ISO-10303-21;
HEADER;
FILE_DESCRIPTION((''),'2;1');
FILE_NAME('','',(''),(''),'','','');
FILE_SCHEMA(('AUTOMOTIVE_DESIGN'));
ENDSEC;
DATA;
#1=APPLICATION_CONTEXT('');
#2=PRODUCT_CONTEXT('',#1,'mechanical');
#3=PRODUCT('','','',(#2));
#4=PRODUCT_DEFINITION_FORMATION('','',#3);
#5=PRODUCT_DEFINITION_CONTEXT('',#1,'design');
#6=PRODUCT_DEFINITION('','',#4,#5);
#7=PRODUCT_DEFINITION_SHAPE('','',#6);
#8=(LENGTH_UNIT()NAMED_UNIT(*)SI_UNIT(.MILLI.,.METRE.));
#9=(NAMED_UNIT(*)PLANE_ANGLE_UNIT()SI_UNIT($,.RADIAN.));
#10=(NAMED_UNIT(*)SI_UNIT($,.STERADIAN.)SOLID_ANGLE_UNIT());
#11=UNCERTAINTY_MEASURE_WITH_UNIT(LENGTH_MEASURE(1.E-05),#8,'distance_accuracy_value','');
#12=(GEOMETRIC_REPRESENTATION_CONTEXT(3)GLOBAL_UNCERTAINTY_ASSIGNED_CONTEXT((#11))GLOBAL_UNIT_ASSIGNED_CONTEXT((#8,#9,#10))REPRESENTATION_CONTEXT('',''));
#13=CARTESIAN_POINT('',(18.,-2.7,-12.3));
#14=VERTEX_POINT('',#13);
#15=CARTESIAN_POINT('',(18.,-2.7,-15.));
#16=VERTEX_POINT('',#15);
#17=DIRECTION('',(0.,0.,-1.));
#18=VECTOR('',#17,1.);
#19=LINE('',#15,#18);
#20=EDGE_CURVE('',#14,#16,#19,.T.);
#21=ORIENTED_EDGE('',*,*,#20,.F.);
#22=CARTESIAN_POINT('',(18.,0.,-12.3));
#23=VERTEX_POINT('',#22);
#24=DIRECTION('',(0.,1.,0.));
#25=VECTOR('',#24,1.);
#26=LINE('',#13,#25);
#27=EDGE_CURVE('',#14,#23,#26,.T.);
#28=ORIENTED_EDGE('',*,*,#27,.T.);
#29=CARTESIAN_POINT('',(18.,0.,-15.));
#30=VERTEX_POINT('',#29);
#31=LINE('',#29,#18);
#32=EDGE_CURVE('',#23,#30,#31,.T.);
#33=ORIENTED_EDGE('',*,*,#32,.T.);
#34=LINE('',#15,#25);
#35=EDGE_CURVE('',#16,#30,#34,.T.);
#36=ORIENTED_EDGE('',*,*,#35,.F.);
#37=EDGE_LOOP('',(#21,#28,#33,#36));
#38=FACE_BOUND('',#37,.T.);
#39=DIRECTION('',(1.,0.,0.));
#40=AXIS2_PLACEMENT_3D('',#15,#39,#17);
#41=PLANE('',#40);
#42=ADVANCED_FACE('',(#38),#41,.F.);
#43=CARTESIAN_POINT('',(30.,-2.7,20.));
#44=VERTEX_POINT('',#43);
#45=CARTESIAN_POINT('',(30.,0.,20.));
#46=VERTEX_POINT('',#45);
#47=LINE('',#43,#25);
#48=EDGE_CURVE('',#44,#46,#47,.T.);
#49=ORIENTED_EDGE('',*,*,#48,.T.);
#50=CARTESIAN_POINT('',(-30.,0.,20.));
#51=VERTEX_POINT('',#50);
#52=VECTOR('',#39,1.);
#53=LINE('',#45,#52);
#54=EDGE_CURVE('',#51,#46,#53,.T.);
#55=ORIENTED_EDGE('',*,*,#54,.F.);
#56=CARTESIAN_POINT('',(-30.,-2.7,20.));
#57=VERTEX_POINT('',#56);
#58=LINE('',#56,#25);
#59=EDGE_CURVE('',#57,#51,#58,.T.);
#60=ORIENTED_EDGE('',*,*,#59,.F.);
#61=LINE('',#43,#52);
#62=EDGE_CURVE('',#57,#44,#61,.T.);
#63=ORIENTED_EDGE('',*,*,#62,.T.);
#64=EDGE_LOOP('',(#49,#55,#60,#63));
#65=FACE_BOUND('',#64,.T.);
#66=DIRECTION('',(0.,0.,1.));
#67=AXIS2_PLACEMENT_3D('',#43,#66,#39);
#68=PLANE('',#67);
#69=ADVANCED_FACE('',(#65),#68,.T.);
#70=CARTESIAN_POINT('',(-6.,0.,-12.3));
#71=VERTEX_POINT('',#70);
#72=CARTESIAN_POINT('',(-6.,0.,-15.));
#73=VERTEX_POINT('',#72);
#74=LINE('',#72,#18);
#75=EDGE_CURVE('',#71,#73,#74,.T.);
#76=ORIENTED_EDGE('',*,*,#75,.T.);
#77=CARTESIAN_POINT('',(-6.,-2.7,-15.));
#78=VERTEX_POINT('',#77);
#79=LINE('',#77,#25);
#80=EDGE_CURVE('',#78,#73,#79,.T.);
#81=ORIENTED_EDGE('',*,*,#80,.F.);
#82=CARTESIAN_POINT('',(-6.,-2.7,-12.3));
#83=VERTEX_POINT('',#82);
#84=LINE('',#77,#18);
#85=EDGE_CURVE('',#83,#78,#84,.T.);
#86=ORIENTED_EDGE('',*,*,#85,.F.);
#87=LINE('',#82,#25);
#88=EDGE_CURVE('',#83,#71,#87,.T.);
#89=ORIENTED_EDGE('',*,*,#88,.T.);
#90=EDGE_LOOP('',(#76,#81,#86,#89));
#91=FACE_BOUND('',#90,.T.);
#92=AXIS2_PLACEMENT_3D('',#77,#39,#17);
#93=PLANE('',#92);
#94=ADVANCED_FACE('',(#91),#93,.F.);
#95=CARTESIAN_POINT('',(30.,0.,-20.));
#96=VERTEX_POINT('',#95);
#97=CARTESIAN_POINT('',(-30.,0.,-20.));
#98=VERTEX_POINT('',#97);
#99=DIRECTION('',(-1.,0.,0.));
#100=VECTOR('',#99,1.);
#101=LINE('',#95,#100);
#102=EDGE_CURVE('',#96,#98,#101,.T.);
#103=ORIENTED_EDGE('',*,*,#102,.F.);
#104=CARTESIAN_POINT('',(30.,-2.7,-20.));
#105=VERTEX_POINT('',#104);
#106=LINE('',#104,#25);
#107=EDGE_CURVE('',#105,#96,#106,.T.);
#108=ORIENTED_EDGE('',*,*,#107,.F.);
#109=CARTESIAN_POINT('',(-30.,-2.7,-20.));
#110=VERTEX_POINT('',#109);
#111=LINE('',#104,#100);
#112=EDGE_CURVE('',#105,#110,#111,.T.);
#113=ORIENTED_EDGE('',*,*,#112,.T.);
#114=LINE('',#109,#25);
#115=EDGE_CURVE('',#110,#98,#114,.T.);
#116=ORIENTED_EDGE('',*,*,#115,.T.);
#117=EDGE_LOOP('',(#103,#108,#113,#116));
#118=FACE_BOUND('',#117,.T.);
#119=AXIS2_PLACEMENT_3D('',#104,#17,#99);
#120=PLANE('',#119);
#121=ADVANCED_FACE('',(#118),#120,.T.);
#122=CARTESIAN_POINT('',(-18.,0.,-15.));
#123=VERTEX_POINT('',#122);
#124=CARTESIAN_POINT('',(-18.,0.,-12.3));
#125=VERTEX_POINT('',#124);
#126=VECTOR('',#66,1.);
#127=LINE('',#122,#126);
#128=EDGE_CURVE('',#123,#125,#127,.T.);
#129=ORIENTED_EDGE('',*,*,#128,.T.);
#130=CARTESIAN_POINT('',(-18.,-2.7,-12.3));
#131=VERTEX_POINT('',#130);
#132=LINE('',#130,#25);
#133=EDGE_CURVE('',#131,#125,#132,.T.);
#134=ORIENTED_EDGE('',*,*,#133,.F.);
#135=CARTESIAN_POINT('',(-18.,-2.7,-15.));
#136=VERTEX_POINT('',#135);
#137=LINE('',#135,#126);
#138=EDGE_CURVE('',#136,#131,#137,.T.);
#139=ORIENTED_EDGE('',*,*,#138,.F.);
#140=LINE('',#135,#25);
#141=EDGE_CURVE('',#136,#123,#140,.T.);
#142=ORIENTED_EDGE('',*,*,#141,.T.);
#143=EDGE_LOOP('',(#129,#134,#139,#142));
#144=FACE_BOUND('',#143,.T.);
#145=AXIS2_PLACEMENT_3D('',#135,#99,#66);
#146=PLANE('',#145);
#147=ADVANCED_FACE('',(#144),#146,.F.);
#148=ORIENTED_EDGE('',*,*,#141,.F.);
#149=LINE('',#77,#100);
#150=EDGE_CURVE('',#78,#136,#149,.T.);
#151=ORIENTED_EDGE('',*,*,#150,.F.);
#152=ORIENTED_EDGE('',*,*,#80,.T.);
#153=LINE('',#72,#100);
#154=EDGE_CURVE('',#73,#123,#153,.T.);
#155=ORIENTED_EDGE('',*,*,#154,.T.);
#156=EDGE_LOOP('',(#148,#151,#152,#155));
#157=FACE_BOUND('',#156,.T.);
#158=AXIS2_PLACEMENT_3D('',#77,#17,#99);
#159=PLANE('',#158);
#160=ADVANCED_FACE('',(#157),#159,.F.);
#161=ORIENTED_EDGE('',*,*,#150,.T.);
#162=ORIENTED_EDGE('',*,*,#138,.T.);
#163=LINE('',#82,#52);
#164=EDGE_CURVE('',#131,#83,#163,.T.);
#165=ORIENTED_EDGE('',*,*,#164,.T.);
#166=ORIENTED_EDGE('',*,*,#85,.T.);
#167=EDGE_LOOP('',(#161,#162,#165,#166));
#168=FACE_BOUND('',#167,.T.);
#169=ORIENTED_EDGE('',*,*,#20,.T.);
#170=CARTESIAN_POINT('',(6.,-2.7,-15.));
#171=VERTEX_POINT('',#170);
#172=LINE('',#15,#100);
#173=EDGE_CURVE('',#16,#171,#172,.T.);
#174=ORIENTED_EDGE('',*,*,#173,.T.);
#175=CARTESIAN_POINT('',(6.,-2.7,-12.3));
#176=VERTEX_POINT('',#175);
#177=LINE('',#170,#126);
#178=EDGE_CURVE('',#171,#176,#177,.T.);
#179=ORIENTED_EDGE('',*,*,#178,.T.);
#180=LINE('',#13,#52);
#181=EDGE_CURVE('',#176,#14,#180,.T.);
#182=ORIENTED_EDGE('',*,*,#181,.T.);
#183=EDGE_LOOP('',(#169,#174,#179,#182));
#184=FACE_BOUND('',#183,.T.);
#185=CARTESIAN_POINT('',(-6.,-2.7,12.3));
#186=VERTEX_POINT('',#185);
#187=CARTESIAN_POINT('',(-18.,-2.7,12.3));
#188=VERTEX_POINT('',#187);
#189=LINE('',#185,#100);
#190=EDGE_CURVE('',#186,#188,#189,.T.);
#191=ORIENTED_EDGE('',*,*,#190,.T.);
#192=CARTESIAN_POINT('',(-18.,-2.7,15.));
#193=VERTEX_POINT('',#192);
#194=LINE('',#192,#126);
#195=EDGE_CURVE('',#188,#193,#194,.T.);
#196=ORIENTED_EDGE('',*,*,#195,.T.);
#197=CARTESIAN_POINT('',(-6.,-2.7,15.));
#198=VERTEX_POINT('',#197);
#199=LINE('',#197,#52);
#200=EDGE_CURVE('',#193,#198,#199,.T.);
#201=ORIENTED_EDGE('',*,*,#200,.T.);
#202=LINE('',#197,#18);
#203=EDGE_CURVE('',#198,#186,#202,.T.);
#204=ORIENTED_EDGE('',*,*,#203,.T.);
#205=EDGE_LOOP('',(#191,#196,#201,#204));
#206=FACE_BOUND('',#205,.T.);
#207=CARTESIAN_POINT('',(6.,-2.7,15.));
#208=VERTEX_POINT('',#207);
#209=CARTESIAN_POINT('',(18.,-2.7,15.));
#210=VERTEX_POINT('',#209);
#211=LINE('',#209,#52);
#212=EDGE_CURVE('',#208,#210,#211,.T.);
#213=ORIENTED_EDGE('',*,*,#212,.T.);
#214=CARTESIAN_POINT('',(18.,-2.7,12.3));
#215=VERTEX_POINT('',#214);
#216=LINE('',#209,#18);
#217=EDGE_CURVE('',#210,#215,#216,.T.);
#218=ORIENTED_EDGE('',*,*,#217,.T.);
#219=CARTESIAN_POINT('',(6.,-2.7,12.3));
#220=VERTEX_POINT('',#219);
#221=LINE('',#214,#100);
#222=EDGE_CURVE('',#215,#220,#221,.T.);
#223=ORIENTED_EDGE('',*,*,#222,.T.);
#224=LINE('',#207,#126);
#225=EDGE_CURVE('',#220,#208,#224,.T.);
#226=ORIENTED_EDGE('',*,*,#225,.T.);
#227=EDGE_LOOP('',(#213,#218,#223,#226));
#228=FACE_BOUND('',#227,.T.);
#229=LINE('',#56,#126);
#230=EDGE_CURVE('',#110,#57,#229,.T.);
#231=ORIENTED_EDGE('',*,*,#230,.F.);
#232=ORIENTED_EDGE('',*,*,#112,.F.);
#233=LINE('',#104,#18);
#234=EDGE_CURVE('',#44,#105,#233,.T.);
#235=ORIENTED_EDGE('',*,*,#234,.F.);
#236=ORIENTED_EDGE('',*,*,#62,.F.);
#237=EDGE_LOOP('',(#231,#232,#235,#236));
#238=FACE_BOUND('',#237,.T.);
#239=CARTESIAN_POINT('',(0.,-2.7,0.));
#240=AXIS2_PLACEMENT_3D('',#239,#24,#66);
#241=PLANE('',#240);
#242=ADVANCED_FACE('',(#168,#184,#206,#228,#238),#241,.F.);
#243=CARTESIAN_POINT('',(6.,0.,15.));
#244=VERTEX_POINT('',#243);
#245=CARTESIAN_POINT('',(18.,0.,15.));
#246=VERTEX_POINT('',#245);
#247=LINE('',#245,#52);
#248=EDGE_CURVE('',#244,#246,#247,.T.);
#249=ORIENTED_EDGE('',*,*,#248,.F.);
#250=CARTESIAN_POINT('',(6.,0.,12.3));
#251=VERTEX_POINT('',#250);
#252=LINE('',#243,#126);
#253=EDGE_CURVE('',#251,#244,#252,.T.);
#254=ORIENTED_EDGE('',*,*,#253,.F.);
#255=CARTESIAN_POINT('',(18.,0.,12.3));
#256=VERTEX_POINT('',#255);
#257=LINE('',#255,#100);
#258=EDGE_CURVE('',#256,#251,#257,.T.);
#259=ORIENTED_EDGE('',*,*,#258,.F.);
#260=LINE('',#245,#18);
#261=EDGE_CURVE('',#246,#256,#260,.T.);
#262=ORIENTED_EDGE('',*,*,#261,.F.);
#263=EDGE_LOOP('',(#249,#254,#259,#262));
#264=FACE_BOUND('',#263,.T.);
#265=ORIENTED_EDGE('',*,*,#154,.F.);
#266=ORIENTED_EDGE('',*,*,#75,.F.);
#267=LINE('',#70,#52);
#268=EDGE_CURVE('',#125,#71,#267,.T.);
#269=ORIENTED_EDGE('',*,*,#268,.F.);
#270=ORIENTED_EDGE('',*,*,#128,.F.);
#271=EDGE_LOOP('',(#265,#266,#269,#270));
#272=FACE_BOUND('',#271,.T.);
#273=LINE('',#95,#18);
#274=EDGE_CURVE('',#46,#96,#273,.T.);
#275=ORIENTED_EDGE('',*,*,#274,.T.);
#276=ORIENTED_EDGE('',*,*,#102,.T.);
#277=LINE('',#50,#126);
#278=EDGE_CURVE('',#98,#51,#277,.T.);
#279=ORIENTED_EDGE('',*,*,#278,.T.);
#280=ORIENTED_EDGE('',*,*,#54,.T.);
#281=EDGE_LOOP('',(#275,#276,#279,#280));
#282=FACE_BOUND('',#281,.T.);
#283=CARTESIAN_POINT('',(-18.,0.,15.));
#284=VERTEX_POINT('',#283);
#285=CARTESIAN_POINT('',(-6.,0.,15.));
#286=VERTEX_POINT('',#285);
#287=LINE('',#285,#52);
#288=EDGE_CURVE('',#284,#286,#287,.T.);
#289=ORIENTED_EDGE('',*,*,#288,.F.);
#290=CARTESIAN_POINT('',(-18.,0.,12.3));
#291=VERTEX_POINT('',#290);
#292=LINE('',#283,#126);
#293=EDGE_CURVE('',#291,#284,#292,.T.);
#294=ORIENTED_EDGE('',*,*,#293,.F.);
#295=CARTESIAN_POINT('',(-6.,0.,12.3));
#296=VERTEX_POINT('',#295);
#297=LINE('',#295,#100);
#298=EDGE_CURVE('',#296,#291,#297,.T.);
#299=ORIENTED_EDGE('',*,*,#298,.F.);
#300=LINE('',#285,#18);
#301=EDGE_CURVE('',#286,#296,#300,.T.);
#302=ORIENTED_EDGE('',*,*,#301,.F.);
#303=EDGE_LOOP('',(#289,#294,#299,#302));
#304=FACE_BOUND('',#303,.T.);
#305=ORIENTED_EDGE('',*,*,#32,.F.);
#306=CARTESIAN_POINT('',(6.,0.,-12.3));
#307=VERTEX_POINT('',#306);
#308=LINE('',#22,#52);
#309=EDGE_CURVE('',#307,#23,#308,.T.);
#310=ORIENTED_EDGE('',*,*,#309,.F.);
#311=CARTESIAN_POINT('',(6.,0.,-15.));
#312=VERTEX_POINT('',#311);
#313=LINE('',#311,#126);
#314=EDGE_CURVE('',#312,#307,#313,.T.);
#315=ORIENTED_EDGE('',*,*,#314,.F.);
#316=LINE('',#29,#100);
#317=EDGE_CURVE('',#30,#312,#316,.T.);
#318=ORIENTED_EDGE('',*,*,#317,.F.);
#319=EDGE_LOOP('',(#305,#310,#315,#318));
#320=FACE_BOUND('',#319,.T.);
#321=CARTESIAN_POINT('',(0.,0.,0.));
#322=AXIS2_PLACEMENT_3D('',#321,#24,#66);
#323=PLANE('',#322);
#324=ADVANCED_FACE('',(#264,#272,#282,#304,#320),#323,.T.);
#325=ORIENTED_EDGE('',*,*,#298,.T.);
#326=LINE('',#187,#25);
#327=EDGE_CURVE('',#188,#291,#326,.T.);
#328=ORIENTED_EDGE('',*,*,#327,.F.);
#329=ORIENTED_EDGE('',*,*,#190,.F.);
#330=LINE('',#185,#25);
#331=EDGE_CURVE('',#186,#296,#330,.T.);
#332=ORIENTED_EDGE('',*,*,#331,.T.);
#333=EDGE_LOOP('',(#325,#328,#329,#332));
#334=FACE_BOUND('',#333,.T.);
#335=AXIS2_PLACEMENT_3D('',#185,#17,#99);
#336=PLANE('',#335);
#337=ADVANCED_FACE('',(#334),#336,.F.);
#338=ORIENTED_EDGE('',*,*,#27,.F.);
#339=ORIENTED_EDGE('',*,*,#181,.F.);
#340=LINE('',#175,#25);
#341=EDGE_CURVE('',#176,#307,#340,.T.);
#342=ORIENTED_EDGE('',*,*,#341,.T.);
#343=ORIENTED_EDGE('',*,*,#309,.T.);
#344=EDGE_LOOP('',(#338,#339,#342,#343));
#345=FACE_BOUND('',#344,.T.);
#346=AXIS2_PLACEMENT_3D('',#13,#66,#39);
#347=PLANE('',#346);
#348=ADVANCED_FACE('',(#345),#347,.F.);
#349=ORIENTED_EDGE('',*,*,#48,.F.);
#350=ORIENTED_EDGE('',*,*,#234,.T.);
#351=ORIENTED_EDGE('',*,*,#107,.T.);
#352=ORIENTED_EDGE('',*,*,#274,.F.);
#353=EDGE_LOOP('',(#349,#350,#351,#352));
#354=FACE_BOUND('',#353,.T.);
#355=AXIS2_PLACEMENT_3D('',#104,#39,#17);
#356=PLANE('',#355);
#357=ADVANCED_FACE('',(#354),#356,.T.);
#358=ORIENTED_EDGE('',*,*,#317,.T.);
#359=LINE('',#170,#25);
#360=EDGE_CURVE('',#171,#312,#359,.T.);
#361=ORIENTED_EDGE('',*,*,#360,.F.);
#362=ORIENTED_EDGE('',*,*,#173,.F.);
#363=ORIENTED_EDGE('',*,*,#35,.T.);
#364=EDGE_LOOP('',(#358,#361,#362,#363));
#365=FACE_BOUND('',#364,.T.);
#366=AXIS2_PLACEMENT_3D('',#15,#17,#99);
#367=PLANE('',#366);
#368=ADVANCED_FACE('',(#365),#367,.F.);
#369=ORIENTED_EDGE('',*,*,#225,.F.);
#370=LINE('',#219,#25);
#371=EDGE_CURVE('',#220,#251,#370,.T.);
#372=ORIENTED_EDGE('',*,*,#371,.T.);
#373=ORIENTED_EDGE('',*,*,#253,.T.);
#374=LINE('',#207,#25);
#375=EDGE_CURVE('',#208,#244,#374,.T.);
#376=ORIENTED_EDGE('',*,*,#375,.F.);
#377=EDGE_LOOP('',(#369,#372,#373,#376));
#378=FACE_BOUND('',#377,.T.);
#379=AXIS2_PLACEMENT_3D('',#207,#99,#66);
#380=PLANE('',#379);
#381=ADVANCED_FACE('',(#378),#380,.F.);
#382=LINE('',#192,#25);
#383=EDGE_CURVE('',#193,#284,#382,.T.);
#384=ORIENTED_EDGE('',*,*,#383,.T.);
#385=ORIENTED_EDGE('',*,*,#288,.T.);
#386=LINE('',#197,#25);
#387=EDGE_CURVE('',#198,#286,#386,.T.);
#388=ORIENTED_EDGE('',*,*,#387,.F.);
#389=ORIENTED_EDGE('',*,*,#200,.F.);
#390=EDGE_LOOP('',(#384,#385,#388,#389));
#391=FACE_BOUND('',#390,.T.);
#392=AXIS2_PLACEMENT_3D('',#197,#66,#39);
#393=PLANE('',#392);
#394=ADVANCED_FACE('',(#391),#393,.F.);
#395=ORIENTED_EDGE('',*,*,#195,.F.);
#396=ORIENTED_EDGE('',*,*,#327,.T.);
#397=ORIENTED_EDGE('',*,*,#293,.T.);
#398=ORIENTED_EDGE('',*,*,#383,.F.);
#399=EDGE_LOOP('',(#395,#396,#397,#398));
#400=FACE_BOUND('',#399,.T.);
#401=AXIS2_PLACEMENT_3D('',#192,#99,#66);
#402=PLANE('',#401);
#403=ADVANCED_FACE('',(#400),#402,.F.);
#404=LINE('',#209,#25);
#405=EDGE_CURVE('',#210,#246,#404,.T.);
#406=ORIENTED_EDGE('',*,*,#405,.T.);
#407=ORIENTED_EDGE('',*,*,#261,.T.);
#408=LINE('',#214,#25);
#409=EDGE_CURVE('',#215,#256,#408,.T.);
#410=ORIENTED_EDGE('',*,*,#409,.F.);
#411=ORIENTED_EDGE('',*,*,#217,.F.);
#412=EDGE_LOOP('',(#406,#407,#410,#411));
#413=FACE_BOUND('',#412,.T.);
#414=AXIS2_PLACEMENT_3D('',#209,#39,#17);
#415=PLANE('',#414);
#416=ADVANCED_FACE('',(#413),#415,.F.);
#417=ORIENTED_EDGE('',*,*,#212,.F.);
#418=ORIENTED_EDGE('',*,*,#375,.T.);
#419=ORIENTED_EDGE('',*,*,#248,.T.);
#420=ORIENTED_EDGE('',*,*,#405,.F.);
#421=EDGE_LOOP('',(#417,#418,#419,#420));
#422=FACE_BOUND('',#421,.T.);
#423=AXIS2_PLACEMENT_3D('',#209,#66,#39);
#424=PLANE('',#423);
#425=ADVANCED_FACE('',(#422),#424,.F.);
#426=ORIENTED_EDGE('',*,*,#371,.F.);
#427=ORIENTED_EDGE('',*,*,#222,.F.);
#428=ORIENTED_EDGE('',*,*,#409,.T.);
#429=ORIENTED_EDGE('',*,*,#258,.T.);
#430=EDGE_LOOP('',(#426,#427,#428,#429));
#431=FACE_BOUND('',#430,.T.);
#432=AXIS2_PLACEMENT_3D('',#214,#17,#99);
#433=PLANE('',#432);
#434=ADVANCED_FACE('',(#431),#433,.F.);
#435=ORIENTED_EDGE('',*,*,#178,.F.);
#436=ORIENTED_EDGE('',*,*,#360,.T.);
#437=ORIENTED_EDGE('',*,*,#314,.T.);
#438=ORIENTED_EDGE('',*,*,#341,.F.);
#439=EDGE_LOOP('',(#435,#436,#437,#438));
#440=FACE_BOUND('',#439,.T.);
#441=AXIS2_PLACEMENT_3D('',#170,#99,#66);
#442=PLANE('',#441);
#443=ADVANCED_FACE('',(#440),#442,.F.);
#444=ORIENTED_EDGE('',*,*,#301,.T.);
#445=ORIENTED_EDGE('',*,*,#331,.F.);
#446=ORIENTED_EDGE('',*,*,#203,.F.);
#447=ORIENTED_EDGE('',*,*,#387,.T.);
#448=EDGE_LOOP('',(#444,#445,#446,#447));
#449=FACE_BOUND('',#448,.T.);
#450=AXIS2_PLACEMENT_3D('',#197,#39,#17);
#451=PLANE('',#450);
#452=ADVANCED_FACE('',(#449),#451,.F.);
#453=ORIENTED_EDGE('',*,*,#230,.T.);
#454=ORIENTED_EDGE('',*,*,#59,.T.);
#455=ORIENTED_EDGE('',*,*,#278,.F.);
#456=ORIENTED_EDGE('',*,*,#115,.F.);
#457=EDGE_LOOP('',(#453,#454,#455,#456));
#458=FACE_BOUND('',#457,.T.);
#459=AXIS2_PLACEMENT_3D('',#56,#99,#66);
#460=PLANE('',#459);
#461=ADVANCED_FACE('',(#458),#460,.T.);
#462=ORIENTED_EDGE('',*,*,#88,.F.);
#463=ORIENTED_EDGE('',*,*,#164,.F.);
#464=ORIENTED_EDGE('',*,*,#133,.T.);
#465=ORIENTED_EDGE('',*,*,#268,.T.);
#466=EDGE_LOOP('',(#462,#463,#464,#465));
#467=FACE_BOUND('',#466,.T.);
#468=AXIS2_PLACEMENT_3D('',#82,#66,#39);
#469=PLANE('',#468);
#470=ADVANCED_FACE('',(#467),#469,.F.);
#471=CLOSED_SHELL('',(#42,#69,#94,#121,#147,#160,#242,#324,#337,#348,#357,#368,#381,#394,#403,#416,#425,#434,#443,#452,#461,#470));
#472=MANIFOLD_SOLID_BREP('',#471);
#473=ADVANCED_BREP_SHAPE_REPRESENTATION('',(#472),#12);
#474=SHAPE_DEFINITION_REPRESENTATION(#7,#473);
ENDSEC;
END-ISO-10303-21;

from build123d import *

# Parameters (mm, degrees)
SKETCH1_W           = 60
SKETCH1_H           = 40
SKETCH1_W_2         = 12
SKETCH1_H_2         = 2.7
BOSS_EXTRUDE1_DEPTH = 2.7


with BuildPart() as part:
    # Sketch1 → Boss-Extrude1 (new body)
    with BuildSketch(Plane(origin=(0, 0, 0), x_dir=(1, 0, 0), z_dir=(0, 1, 0))):
        Rectangle(SKETCH1_W, SKETCH1_H)
        with Locations((-12, 13.65)):
            Rectangle(SKETCH1_W_2, SKETCH1_H_2, mode=Mode.SUBTRACT)
        with Locations((12, 13.65)):
            Rectangle(SKETCH1_W_2, SKETCH1_H_2, mode=Mode.SUBTRACT)
        with Locations((12, -13.65)):
            Rectangle(SKETCH1_W_2, SKETCH1_H_2, mode=Mode.SUBTRACT)
        with Locations((-12, -13.65)):
            Rectangle(SKETCH1_W_2, SKETCH1_H_2, mode=Mode.SUBTRACT)
    extrude(amount=-BOSS_EXTRUDE1_DEPTH)


solid = part.part
